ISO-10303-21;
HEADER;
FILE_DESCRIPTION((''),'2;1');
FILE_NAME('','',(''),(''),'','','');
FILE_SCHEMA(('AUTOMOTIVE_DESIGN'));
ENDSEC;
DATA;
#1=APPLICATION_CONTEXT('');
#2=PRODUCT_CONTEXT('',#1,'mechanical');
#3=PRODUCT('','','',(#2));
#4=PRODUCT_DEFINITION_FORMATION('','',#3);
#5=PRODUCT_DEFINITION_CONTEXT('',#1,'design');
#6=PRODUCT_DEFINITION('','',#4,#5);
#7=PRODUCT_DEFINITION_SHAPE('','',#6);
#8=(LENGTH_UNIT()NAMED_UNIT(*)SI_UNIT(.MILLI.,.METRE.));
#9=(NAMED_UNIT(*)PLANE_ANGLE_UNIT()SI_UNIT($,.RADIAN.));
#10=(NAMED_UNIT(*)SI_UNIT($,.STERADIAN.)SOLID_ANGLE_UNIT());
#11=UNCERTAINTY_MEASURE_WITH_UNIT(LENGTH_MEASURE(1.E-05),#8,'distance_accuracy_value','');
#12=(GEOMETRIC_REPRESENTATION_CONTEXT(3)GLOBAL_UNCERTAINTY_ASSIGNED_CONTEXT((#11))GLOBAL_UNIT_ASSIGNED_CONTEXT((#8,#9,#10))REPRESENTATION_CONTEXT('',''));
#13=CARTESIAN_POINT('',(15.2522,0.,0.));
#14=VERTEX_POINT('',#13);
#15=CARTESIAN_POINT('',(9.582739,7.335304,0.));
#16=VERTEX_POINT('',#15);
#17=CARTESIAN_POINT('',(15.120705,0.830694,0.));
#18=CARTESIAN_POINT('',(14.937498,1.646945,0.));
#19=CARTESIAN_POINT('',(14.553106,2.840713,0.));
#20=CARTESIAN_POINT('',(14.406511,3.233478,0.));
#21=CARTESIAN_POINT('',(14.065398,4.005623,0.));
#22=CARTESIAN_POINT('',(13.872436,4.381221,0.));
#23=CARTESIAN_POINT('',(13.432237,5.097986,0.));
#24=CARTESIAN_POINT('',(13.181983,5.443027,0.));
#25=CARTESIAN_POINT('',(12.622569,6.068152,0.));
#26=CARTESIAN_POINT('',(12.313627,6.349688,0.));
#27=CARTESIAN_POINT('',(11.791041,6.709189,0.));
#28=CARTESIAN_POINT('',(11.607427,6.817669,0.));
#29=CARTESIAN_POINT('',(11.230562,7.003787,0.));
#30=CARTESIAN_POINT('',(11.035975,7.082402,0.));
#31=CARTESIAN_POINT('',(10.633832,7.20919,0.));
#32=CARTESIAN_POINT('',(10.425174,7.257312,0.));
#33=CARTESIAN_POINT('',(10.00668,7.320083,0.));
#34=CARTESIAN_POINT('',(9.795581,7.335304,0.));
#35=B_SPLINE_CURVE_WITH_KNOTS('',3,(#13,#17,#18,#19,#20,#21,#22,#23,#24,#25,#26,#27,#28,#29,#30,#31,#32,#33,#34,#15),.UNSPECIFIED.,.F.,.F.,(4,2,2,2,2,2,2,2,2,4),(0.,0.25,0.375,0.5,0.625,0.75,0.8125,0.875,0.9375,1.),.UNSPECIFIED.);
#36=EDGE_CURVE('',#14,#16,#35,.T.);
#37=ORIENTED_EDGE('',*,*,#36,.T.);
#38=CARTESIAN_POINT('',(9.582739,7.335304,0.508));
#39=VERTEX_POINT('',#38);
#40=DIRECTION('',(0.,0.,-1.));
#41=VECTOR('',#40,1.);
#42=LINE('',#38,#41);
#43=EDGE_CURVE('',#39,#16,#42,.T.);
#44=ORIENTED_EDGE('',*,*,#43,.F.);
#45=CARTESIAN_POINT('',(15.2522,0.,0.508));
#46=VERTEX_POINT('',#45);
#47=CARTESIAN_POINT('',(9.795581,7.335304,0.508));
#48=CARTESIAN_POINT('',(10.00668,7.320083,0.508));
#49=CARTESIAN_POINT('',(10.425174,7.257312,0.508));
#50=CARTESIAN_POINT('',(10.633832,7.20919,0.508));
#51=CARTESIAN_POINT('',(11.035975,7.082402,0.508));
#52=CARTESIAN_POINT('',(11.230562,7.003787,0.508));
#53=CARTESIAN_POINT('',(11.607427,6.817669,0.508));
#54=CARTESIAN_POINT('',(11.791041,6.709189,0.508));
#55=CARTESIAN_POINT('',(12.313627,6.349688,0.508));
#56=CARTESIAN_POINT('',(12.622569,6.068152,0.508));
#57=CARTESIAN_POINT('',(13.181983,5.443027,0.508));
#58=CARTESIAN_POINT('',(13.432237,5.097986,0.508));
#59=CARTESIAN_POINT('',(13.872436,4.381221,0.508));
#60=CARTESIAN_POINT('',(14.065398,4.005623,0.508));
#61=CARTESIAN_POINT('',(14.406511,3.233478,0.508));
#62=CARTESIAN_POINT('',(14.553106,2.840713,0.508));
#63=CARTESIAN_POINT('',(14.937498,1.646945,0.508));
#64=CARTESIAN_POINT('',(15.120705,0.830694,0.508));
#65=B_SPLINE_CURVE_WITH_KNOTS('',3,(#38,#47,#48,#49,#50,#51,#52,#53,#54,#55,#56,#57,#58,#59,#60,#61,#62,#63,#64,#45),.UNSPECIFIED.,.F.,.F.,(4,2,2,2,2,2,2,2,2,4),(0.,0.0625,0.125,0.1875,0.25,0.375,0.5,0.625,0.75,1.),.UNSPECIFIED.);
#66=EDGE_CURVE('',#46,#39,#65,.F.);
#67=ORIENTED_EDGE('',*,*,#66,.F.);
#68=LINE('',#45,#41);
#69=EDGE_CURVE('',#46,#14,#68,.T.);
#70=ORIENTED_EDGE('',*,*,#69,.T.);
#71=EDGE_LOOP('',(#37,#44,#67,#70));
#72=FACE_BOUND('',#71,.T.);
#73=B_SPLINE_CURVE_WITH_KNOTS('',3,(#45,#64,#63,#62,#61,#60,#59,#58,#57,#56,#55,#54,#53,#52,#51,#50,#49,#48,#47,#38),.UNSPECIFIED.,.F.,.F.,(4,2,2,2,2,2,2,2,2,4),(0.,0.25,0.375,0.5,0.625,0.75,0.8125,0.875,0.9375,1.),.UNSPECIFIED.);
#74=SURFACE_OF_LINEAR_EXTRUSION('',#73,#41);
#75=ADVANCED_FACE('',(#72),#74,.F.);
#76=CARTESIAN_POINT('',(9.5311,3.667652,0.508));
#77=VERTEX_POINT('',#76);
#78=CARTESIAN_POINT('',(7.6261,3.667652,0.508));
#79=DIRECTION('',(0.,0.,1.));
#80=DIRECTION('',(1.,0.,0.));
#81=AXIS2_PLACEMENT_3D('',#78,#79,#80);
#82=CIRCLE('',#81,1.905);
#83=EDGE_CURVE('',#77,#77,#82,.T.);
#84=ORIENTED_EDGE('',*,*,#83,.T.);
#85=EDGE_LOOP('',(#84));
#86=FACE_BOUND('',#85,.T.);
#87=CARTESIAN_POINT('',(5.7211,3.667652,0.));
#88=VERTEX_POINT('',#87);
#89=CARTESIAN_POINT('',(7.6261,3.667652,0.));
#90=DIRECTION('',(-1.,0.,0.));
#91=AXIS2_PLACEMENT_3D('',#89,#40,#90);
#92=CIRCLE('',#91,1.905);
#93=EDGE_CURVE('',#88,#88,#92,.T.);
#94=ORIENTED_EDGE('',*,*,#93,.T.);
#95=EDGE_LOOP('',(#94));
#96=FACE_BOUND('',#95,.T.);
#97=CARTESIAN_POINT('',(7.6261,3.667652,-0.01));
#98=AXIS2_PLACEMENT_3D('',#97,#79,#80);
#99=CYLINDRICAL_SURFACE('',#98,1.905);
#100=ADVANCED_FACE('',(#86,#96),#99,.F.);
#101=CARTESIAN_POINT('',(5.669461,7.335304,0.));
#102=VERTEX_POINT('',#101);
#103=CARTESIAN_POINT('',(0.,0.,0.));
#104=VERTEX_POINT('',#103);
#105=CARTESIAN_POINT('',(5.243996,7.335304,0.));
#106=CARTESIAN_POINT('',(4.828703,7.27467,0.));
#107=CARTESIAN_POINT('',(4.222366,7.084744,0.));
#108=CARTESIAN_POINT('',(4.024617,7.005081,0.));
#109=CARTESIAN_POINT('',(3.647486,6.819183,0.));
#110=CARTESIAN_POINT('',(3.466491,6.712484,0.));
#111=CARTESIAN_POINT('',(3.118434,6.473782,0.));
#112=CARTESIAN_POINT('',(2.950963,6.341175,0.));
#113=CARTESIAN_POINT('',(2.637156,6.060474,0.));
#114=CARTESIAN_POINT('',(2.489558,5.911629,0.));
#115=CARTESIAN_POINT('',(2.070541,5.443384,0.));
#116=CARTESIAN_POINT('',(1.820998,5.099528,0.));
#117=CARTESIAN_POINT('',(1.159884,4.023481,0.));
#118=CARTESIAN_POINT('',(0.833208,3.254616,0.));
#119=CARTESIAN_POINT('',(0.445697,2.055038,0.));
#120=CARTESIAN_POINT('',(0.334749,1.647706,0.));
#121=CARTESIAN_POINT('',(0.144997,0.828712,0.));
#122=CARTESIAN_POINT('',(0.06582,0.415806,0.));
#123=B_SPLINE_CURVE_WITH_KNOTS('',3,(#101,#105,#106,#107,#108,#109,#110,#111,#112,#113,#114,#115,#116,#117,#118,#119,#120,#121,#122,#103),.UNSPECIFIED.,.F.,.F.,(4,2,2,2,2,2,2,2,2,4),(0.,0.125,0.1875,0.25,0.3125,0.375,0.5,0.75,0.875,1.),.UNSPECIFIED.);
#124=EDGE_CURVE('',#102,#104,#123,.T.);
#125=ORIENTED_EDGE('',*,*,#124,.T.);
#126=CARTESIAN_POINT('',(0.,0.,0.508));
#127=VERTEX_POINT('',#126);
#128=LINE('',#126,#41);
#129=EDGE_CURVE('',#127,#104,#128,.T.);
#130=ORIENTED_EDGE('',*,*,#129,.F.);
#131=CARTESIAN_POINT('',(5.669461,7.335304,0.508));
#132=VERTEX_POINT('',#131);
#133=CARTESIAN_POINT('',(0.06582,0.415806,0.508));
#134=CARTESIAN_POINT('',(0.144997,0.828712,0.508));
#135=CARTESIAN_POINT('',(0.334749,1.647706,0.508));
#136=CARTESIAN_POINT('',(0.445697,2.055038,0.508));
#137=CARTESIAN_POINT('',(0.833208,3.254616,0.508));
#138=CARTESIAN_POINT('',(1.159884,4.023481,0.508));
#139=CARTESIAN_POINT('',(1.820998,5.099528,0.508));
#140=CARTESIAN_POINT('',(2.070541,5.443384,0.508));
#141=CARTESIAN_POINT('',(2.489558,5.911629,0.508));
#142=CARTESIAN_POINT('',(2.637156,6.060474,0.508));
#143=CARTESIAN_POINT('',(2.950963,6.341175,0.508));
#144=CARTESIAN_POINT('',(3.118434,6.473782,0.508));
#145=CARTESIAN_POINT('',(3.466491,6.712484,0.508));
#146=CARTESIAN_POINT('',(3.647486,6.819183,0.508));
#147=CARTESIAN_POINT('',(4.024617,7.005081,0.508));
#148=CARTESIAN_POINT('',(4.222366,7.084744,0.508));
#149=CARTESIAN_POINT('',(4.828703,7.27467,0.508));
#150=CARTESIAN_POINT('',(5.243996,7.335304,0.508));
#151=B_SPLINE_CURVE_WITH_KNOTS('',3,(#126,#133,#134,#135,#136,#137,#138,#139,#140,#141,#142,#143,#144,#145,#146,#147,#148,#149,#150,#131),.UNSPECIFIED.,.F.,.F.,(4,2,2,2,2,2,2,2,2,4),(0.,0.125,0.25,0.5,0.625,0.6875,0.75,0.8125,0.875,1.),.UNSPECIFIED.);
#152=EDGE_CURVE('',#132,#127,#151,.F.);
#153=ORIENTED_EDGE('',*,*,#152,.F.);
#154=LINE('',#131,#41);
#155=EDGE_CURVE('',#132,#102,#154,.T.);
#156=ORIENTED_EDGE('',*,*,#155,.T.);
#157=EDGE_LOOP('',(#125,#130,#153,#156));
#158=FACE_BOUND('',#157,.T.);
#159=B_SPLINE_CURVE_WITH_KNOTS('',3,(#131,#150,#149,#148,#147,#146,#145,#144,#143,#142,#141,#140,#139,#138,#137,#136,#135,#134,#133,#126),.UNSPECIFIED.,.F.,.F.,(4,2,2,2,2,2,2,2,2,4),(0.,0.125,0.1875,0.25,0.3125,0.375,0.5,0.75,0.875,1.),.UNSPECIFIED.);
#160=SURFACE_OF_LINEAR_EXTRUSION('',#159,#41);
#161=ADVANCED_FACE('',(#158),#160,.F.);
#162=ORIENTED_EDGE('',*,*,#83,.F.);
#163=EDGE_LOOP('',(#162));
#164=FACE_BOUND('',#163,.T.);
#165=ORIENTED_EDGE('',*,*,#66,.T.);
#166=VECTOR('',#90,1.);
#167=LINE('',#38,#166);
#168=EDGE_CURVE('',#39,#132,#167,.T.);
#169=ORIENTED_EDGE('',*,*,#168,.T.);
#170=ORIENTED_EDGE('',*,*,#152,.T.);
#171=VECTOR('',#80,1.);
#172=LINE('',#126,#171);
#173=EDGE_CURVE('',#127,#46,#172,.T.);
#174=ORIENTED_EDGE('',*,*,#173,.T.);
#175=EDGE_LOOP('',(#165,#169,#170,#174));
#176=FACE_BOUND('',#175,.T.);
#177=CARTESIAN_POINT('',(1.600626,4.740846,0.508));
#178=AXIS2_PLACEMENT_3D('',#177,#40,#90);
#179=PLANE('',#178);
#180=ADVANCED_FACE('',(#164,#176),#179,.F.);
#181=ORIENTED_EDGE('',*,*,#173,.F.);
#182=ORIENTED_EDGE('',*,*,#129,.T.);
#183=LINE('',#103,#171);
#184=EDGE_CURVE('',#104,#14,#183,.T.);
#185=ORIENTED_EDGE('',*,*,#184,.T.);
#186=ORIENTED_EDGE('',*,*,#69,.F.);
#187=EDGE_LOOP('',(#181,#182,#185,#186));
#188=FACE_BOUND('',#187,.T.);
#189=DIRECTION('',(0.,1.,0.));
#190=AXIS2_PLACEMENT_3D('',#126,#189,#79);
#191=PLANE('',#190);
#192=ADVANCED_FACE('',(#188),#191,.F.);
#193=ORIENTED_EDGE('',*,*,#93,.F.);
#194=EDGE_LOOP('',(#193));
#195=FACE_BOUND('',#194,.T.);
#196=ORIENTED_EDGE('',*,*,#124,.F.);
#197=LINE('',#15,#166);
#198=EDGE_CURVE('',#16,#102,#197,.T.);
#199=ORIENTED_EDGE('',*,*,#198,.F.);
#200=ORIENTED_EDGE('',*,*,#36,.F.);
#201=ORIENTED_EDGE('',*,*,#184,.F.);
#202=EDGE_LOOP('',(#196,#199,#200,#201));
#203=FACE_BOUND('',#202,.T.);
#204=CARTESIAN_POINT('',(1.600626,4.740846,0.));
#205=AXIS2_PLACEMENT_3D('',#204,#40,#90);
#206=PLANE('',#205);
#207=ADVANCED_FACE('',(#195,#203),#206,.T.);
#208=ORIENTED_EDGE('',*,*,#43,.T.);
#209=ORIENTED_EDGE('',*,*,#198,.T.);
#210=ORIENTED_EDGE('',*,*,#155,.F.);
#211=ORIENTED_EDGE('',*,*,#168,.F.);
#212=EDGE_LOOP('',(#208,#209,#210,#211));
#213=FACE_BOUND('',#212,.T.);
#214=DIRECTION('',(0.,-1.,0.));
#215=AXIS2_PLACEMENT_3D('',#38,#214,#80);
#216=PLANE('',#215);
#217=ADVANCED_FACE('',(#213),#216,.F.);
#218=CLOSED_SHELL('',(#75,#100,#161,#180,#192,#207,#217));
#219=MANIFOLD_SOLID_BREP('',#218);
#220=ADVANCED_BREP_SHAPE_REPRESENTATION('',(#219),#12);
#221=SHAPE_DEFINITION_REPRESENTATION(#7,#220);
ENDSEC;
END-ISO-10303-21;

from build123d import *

# Parameters (mm, degrees)
BOSS_EXTRUDE1_DEPTH = 0.508
SKETCH3_R           = 1.905
CUT_EXTRUDE1_DEPTH  = 1.5080001


with BuildPart() as part:
    # Sketch1 → Boss-Extrude1 (new body)
    with BuildSketch(Plane.XY):
        with BuildLine():
            Line((0, 0), (15.252199682, 0))
            add(Edge.make_bspline(
                [(15.252199682, 0), (15.120704697, 0.830694341), (14.937497846, 1.646944845), (14.553106346, 2.840713056), (14.406511336, 3.233478401), (14.065397829, 4.0056234), (13.872436019, 4.381220548), (13.432237437, 5.09798559), (13.181982939, 5.443027105), (12.622569242, 6.068152419), (12.313627231, 6.349687516), (11.791041042, 6.709189105), (11.607426909, 6.817668629), (11.230562195, 7.003786767), (11.035975482, 7.082401547), (10.633831708, 7.209189667), (10.425174386, 7.257312019), (10.006679556, 7.320082622), (9.795580815, 7.335304029), (9.582738696, 7.335304029)],
                knots=[0, 0, 0, 0, 0.25, 0.25, 0.375, 0.375, 0.5, 0.5, 0.625, 0.625, 0.75, 0.75, 0.8125, 0.8125, 0.875, 0.875, 0.9375, 0.9375, 1, 1, 1, 1], degree=3))
            Line((9.582738696, 7.335304029), (5.669460986, 7.335304029))
            add(Edge.make_bspline(
                [(5.669460986, 7.335304029), (5.243996086, 7.335304029), (4.828702614, 7.274669933), (4.222365546, 7.084743854), (4.024617237, 7.005080674), (3.647485659, 6.819183421), (3.466491387, 6.712483598), (3.118434336, 6.473781927), (2.950963248, 6.341174992), (2.637156438, 6.060474457), (2.489557897, 5.911629159), (2.070541236, 5.44338386), (1.820997709, 5.099528272), (1.159883637, 4.023480986), (0.833207908, 3.254615604), (0.445697358, 2.055038054), (0.334748926, 1.647706186), (0.144996604, 0.828712342), (0.06582017, 0.415806296), (0, 0)],
                knots=[0, 0, 0, 0, 0.125, 0.125, 0.1875, 0.1875, 0.25, 0.25, 0.3125, 0.3125, 0.375, 0.375, 0.5, 0.5, 0.75, 0.75, 0.875, 0.875, 1, 1, 1, 1], degree=3))
        make_face()
    extrude(amount=BOSS_EXTRUDE1_DEPTH)

    # Sketch3 → Cut-Extrude1 (cut, through all)
    with BuildSketch(Plane.XY.offset(0.508)):
        with Locations((7.626099841, 3.667652015)):
            Circle(SKETCH3_R)
    extrude(amount=-CUT_EXTRUDE1_DEPTH, mode=Mode.SUBTRACT)


solid = part.part
